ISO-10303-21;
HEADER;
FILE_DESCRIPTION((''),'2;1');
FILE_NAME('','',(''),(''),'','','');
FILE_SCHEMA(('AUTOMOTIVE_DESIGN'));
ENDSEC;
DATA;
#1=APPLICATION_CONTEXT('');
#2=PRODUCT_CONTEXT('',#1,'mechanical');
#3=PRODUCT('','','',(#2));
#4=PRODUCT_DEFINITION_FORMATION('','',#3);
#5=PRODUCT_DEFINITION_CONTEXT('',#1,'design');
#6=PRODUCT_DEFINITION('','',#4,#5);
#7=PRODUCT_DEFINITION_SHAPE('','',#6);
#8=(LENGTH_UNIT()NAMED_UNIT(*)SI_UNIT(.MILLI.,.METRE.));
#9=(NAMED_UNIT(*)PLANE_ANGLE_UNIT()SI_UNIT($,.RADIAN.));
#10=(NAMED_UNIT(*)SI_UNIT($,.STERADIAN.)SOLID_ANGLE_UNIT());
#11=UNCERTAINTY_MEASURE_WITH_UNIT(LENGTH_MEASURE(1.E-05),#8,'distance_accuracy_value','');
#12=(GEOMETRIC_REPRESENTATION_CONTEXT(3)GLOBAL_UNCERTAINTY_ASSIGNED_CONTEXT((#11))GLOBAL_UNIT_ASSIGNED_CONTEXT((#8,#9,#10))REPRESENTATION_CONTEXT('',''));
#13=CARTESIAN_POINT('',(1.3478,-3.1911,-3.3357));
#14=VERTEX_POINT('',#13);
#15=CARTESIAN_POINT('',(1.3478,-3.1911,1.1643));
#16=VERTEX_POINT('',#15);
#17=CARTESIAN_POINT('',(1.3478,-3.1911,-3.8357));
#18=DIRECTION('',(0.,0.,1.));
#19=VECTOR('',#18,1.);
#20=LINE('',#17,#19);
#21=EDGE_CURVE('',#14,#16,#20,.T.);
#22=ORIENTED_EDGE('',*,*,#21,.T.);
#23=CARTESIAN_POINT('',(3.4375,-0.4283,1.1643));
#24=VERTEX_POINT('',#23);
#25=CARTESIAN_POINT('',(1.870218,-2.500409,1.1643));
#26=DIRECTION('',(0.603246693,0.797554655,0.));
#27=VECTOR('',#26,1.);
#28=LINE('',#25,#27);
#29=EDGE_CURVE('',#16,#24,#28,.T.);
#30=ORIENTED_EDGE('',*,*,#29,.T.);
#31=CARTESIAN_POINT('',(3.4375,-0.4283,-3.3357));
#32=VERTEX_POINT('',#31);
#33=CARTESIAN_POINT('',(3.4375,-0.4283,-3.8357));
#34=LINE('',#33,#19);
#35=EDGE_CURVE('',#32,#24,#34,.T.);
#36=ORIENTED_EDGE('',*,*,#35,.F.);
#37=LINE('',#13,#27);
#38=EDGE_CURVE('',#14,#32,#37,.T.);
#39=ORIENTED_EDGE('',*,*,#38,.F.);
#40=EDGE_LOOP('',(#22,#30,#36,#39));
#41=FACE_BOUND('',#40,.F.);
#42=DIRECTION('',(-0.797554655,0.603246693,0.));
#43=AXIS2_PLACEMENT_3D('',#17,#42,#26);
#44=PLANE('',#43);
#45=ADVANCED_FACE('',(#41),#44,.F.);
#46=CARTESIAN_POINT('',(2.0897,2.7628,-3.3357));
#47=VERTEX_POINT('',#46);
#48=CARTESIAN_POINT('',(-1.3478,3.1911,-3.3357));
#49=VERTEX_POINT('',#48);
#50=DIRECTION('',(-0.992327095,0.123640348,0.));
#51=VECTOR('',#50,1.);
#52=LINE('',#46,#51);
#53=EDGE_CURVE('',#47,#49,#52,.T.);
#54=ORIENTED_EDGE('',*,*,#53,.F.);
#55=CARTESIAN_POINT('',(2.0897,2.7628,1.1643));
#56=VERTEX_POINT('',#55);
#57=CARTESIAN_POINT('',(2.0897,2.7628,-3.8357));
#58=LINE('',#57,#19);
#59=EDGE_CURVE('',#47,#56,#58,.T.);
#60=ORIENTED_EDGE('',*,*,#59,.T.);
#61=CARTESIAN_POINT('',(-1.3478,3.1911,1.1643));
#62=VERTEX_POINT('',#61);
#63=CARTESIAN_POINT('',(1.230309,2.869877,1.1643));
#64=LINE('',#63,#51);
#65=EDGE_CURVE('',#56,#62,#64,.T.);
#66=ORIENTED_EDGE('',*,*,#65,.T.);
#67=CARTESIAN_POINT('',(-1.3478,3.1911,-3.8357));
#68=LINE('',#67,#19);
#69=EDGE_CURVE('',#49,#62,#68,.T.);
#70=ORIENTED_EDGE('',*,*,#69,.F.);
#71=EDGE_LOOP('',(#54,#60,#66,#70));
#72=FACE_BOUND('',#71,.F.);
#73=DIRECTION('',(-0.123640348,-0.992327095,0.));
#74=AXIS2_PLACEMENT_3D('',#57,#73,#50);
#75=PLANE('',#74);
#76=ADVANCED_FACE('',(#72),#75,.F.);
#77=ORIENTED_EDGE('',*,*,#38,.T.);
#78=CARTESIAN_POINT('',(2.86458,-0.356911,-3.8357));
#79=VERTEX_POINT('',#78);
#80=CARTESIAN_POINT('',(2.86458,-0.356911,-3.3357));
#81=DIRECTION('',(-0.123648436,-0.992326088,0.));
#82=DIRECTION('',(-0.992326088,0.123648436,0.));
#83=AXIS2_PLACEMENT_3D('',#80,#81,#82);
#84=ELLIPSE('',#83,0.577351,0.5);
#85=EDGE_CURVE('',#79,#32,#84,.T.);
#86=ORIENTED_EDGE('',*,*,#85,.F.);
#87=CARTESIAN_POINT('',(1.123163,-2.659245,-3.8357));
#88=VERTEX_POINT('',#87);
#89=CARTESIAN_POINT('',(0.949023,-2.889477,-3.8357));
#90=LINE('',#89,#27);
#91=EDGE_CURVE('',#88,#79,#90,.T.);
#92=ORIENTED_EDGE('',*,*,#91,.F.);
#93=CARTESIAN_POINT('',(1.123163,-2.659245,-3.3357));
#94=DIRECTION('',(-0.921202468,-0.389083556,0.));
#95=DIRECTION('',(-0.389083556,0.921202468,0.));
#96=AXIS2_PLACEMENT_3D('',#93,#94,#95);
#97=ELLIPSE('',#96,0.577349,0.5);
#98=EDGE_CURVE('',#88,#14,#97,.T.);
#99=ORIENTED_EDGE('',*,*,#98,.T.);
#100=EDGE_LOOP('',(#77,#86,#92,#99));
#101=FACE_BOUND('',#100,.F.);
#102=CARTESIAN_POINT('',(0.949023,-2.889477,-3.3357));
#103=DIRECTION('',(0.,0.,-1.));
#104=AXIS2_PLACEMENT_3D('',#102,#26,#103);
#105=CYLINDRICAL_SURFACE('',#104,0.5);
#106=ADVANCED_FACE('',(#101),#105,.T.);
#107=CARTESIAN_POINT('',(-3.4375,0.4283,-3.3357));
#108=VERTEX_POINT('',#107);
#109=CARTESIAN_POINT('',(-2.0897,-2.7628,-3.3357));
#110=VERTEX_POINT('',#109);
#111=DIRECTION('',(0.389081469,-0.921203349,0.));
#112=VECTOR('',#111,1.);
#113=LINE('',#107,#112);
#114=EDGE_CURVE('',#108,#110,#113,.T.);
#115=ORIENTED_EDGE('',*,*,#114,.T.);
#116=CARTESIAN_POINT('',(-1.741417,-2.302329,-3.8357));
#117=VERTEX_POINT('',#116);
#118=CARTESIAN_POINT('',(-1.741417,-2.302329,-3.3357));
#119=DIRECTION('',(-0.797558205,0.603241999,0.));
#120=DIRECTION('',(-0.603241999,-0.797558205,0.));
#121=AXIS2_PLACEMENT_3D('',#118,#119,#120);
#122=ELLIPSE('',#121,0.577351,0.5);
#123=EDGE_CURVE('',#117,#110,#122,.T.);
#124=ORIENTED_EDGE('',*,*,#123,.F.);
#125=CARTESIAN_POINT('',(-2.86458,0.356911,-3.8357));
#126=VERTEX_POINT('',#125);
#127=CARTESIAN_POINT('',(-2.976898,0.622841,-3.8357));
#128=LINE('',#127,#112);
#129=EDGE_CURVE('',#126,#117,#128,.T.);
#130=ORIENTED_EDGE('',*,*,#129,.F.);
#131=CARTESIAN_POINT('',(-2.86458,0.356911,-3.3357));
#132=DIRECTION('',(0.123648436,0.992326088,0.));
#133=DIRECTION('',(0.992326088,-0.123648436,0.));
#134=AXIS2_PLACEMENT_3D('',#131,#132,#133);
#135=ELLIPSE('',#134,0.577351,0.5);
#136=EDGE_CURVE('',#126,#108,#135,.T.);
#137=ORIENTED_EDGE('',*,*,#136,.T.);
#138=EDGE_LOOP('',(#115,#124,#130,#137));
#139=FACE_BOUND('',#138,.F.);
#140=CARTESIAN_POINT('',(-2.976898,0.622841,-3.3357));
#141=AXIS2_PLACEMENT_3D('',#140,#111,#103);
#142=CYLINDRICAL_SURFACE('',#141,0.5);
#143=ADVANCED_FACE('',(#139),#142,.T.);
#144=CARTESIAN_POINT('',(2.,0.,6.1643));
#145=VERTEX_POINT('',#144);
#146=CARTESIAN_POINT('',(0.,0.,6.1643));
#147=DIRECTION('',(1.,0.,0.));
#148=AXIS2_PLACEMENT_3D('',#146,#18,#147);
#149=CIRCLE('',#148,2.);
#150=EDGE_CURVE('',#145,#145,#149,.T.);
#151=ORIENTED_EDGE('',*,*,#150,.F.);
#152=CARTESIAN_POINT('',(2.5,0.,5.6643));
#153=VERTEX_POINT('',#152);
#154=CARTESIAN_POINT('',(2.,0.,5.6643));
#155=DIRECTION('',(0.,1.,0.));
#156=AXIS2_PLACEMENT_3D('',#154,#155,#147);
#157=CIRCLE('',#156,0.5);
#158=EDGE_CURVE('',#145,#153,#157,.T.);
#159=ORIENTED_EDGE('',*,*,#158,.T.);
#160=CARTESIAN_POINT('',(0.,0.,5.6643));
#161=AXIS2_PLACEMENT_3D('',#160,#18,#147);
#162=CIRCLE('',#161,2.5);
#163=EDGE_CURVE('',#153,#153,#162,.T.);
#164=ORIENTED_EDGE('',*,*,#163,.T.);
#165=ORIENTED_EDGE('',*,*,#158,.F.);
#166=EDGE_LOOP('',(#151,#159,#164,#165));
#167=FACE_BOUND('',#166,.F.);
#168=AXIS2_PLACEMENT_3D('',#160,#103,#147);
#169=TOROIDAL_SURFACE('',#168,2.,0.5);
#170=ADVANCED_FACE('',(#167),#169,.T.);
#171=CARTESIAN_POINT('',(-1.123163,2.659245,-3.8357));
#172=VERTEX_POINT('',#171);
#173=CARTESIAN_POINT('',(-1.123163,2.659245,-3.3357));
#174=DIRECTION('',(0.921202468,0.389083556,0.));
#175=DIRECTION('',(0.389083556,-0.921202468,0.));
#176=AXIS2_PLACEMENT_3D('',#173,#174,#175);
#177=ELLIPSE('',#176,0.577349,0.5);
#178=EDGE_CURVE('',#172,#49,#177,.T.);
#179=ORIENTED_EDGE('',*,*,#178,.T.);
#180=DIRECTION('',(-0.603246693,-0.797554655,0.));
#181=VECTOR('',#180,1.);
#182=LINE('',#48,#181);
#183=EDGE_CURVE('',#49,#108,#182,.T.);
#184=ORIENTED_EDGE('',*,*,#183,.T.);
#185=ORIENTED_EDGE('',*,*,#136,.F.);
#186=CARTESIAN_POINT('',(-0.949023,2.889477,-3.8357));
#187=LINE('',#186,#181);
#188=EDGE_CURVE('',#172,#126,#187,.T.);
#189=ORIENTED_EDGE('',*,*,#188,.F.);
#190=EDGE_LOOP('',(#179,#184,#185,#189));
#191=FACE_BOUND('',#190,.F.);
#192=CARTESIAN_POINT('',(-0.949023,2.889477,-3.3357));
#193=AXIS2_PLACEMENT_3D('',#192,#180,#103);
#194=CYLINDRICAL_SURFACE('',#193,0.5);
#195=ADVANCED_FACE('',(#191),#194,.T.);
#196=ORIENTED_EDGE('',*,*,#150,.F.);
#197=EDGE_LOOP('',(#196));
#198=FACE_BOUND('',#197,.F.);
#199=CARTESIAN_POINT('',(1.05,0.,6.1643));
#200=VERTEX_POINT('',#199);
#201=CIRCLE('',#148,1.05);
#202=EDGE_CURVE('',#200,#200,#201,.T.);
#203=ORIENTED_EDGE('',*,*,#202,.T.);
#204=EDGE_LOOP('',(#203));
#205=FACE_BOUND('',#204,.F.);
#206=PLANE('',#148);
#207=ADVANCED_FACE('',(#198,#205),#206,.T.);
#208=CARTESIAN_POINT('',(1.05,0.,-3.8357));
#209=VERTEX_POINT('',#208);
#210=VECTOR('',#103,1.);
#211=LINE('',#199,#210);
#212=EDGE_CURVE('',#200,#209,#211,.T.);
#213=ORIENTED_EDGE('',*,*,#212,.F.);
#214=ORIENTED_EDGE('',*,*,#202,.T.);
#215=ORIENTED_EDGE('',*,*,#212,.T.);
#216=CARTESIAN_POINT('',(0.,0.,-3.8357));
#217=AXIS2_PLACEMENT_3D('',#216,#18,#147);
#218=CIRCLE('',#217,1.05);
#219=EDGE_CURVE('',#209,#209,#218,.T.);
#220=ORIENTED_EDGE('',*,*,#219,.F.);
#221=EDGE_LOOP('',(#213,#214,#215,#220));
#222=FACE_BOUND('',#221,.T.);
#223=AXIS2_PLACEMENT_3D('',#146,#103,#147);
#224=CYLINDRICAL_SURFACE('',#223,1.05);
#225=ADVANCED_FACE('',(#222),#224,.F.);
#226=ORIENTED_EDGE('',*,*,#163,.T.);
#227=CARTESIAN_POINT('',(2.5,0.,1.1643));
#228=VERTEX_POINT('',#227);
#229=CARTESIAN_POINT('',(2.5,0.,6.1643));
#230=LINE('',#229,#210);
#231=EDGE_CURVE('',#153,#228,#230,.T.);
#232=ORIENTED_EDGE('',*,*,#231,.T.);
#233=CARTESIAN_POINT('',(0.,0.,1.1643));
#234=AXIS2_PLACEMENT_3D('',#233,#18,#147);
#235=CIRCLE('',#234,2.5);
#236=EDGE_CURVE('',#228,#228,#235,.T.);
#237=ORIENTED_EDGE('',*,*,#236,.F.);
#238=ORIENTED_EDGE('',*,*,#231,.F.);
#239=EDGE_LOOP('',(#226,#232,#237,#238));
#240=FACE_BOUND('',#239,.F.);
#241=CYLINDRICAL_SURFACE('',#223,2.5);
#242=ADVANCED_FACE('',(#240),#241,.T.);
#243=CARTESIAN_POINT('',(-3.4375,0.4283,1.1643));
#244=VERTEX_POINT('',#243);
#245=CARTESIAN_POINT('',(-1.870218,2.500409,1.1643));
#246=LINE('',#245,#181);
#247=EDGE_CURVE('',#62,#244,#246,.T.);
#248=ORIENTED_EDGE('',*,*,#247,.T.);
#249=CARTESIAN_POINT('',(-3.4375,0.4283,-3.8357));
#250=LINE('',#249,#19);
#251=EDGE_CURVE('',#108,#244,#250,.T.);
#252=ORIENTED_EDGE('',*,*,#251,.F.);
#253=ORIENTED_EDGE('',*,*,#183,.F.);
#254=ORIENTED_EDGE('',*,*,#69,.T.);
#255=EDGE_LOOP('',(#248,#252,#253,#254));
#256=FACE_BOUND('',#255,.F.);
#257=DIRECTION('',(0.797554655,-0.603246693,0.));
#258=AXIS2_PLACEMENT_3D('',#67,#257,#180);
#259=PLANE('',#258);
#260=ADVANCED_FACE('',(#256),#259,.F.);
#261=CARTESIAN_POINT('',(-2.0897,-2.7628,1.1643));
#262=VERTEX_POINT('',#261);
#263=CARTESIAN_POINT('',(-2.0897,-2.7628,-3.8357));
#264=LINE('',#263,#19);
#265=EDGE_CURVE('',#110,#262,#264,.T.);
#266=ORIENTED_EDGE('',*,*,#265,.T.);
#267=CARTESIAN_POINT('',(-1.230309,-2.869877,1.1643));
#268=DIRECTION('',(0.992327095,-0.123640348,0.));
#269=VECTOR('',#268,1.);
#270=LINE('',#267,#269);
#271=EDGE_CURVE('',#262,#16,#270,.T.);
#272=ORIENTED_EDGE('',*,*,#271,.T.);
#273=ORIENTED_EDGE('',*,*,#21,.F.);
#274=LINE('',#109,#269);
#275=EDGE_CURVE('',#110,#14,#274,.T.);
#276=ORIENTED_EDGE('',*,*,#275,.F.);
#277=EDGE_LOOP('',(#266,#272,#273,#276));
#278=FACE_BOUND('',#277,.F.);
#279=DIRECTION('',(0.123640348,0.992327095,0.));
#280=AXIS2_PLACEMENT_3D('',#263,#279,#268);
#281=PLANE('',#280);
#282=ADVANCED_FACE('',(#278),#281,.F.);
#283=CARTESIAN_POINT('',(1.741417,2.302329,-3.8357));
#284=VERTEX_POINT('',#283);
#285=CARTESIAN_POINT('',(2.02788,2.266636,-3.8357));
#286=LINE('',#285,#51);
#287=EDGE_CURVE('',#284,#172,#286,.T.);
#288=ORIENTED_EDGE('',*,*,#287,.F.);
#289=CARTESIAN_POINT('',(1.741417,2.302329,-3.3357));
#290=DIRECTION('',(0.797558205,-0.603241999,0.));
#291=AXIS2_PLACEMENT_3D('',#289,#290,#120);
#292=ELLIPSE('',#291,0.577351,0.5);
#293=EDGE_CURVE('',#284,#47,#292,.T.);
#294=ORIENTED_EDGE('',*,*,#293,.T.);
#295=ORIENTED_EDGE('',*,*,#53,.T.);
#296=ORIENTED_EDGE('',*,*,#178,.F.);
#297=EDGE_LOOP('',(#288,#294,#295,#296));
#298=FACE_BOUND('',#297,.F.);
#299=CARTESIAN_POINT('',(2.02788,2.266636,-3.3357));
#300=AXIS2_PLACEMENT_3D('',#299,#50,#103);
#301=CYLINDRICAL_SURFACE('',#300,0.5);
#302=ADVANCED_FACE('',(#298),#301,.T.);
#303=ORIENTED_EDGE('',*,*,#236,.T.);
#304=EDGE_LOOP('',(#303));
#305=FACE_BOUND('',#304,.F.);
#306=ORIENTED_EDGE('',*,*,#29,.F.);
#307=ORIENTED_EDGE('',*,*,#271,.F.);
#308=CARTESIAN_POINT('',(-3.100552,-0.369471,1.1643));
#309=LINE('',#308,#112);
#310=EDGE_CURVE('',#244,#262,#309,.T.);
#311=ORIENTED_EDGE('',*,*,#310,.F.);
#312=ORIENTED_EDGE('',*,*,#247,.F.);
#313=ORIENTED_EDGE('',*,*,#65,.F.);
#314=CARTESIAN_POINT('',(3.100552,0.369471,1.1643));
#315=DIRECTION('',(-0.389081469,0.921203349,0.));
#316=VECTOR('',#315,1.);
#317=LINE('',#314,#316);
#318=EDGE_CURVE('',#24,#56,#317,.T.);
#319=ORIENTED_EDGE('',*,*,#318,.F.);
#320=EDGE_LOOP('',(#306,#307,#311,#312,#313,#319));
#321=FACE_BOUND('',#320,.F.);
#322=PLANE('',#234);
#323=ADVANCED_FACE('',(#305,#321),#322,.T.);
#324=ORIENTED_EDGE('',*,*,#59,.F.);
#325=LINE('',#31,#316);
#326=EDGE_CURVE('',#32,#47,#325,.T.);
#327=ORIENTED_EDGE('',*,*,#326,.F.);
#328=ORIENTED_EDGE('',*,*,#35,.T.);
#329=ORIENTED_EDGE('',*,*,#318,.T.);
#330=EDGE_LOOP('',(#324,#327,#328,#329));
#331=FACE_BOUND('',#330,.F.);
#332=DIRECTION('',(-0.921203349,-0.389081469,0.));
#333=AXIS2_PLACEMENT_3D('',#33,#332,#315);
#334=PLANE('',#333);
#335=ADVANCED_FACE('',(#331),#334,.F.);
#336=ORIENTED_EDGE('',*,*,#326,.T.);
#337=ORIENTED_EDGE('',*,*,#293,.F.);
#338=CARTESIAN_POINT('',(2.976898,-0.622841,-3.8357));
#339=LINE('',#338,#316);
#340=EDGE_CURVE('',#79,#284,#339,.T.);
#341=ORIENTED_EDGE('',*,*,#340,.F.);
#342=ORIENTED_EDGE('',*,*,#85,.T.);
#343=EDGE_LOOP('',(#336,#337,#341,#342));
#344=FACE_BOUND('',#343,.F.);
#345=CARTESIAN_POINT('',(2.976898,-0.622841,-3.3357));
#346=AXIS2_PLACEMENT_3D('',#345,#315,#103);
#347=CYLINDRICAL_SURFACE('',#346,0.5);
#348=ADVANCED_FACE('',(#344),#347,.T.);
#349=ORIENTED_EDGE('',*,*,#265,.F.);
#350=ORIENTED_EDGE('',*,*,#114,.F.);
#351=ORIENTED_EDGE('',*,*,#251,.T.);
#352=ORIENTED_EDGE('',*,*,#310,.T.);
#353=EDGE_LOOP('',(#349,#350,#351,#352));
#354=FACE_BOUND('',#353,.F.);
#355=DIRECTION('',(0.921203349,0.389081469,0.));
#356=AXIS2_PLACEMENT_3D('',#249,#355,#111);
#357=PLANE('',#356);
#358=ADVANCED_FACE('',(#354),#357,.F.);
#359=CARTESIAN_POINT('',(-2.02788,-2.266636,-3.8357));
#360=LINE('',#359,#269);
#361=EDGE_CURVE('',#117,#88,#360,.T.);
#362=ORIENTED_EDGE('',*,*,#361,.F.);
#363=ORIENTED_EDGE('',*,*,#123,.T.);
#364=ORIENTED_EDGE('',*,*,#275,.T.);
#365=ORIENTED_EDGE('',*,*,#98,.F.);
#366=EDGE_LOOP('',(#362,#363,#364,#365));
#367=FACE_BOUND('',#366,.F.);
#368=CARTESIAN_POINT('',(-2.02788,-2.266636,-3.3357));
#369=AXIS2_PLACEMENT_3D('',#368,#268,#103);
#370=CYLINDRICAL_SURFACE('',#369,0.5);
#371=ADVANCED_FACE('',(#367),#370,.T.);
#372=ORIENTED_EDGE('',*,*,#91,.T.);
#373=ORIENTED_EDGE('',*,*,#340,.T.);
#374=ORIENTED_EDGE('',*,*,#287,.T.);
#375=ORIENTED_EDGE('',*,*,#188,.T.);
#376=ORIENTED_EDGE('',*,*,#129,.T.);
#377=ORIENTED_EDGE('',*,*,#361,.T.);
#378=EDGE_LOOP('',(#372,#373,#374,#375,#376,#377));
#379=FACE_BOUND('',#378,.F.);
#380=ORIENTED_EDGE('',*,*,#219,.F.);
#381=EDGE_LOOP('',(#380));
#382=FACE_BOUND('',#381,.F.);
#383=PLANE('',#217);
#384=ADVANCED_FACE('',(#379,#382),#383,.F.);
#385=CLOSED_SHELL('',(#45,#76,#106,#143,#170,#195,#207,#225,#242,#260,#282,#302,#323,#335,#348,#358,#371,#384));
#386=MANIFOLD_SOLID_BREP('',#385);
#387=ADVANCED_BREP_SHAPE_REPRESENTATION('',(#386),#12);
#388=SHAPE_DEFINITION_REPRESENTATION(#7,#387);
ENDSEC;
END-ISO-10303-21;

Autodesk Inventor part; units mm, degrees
ref_plane "YZ Plane" through (0, 0, 0) normal (1, 0, 0) x (0, 1, 0)
ref_plane "XZ Plane" through (0, 0, 0) normal (0, 1, 0) x (-1, 0, 0)
ref_plane "XY Plane" through (0, 0, 0) normal (0, 0, 1) x (1, 0, 0)
sketch "Sketch1" plane through (0, 0, 0) normal (0, 1, 0) x (-1, 0, 0)
  line L0 (-1.05, 6.1643) -> (-2.5, 6.1643)
  line L1 (-2.5, 6.1643) -> (-2.5, 1.1643)
  line L2 (-2.5, 1.1643) -> (-3.5, 1.1643)
  line L3 (-3.5, 1.1643) -> (-3.5, -3.8357)
  line L4 (-3.5, -3.8357) -> (-1.05, -3.8357)
  line L5 (0, -5.8357) -> (0, 8.1643) projected
  line L6 (-1.05, 6.1643) -> (-1.05, -3.8357)
  point P0 (0, 0)
  dimension "d0" = 5
  dimension "d1" = 5
  dimension "d3" = 1.05
  dimension "d4" = 2.5
  dimension "d5" = 3.5
revolve "Revolution1" add sketch "Sketch1" angle 360 about axis through (0, 0, -10) along (0, 0, 1)
sketch "Sketch2" plane through (0, 0, -3.8357) normal (0, 0, -1) x (-1, 0, 0)
  circle A0 centre (0, 0) radius 3.5 projected
  line L0 (1.3478, 3.1911) -> (3.4375, 0.4283)
  line L1 (3.4375, 0.4283) -> (2.0897, -2.7628)
  line L2 (2.0897, -2.7628) -> (-1.3478, -3.1911)
  line L3 (-1.3478, -3.1911) -> (-3.4375, -0.4283)
  line L4 (-3.4375, -0.4283) -> (-2.0897, 2.7628)
  line L5 (-2.0897, 2.7628) -> (1.3478, 3.1911)
  circle A1 centre (0, 0) radius 5.601
  dimension "d8" = 7
  dimension "d10" = 6
extrude "Extrusion1" cut sketch "Sketch2" against normal blind 10 contours A0 | A1
fillet "Fillet2" radius 0.5 7 edges at (-2.7636, -1.1672, -3.8357) (-2.3927, 1.8097, -3.8357) (0.3709, 2.977, -3.8357) (2.7636, 1.1672, -3.8357) (2.3927, -1.8097, -3.8357) (-0.3709, -2.977, -3.8357) (-2.5, 0, 6.1643)
properties part number "Suction_electrode_cap"
